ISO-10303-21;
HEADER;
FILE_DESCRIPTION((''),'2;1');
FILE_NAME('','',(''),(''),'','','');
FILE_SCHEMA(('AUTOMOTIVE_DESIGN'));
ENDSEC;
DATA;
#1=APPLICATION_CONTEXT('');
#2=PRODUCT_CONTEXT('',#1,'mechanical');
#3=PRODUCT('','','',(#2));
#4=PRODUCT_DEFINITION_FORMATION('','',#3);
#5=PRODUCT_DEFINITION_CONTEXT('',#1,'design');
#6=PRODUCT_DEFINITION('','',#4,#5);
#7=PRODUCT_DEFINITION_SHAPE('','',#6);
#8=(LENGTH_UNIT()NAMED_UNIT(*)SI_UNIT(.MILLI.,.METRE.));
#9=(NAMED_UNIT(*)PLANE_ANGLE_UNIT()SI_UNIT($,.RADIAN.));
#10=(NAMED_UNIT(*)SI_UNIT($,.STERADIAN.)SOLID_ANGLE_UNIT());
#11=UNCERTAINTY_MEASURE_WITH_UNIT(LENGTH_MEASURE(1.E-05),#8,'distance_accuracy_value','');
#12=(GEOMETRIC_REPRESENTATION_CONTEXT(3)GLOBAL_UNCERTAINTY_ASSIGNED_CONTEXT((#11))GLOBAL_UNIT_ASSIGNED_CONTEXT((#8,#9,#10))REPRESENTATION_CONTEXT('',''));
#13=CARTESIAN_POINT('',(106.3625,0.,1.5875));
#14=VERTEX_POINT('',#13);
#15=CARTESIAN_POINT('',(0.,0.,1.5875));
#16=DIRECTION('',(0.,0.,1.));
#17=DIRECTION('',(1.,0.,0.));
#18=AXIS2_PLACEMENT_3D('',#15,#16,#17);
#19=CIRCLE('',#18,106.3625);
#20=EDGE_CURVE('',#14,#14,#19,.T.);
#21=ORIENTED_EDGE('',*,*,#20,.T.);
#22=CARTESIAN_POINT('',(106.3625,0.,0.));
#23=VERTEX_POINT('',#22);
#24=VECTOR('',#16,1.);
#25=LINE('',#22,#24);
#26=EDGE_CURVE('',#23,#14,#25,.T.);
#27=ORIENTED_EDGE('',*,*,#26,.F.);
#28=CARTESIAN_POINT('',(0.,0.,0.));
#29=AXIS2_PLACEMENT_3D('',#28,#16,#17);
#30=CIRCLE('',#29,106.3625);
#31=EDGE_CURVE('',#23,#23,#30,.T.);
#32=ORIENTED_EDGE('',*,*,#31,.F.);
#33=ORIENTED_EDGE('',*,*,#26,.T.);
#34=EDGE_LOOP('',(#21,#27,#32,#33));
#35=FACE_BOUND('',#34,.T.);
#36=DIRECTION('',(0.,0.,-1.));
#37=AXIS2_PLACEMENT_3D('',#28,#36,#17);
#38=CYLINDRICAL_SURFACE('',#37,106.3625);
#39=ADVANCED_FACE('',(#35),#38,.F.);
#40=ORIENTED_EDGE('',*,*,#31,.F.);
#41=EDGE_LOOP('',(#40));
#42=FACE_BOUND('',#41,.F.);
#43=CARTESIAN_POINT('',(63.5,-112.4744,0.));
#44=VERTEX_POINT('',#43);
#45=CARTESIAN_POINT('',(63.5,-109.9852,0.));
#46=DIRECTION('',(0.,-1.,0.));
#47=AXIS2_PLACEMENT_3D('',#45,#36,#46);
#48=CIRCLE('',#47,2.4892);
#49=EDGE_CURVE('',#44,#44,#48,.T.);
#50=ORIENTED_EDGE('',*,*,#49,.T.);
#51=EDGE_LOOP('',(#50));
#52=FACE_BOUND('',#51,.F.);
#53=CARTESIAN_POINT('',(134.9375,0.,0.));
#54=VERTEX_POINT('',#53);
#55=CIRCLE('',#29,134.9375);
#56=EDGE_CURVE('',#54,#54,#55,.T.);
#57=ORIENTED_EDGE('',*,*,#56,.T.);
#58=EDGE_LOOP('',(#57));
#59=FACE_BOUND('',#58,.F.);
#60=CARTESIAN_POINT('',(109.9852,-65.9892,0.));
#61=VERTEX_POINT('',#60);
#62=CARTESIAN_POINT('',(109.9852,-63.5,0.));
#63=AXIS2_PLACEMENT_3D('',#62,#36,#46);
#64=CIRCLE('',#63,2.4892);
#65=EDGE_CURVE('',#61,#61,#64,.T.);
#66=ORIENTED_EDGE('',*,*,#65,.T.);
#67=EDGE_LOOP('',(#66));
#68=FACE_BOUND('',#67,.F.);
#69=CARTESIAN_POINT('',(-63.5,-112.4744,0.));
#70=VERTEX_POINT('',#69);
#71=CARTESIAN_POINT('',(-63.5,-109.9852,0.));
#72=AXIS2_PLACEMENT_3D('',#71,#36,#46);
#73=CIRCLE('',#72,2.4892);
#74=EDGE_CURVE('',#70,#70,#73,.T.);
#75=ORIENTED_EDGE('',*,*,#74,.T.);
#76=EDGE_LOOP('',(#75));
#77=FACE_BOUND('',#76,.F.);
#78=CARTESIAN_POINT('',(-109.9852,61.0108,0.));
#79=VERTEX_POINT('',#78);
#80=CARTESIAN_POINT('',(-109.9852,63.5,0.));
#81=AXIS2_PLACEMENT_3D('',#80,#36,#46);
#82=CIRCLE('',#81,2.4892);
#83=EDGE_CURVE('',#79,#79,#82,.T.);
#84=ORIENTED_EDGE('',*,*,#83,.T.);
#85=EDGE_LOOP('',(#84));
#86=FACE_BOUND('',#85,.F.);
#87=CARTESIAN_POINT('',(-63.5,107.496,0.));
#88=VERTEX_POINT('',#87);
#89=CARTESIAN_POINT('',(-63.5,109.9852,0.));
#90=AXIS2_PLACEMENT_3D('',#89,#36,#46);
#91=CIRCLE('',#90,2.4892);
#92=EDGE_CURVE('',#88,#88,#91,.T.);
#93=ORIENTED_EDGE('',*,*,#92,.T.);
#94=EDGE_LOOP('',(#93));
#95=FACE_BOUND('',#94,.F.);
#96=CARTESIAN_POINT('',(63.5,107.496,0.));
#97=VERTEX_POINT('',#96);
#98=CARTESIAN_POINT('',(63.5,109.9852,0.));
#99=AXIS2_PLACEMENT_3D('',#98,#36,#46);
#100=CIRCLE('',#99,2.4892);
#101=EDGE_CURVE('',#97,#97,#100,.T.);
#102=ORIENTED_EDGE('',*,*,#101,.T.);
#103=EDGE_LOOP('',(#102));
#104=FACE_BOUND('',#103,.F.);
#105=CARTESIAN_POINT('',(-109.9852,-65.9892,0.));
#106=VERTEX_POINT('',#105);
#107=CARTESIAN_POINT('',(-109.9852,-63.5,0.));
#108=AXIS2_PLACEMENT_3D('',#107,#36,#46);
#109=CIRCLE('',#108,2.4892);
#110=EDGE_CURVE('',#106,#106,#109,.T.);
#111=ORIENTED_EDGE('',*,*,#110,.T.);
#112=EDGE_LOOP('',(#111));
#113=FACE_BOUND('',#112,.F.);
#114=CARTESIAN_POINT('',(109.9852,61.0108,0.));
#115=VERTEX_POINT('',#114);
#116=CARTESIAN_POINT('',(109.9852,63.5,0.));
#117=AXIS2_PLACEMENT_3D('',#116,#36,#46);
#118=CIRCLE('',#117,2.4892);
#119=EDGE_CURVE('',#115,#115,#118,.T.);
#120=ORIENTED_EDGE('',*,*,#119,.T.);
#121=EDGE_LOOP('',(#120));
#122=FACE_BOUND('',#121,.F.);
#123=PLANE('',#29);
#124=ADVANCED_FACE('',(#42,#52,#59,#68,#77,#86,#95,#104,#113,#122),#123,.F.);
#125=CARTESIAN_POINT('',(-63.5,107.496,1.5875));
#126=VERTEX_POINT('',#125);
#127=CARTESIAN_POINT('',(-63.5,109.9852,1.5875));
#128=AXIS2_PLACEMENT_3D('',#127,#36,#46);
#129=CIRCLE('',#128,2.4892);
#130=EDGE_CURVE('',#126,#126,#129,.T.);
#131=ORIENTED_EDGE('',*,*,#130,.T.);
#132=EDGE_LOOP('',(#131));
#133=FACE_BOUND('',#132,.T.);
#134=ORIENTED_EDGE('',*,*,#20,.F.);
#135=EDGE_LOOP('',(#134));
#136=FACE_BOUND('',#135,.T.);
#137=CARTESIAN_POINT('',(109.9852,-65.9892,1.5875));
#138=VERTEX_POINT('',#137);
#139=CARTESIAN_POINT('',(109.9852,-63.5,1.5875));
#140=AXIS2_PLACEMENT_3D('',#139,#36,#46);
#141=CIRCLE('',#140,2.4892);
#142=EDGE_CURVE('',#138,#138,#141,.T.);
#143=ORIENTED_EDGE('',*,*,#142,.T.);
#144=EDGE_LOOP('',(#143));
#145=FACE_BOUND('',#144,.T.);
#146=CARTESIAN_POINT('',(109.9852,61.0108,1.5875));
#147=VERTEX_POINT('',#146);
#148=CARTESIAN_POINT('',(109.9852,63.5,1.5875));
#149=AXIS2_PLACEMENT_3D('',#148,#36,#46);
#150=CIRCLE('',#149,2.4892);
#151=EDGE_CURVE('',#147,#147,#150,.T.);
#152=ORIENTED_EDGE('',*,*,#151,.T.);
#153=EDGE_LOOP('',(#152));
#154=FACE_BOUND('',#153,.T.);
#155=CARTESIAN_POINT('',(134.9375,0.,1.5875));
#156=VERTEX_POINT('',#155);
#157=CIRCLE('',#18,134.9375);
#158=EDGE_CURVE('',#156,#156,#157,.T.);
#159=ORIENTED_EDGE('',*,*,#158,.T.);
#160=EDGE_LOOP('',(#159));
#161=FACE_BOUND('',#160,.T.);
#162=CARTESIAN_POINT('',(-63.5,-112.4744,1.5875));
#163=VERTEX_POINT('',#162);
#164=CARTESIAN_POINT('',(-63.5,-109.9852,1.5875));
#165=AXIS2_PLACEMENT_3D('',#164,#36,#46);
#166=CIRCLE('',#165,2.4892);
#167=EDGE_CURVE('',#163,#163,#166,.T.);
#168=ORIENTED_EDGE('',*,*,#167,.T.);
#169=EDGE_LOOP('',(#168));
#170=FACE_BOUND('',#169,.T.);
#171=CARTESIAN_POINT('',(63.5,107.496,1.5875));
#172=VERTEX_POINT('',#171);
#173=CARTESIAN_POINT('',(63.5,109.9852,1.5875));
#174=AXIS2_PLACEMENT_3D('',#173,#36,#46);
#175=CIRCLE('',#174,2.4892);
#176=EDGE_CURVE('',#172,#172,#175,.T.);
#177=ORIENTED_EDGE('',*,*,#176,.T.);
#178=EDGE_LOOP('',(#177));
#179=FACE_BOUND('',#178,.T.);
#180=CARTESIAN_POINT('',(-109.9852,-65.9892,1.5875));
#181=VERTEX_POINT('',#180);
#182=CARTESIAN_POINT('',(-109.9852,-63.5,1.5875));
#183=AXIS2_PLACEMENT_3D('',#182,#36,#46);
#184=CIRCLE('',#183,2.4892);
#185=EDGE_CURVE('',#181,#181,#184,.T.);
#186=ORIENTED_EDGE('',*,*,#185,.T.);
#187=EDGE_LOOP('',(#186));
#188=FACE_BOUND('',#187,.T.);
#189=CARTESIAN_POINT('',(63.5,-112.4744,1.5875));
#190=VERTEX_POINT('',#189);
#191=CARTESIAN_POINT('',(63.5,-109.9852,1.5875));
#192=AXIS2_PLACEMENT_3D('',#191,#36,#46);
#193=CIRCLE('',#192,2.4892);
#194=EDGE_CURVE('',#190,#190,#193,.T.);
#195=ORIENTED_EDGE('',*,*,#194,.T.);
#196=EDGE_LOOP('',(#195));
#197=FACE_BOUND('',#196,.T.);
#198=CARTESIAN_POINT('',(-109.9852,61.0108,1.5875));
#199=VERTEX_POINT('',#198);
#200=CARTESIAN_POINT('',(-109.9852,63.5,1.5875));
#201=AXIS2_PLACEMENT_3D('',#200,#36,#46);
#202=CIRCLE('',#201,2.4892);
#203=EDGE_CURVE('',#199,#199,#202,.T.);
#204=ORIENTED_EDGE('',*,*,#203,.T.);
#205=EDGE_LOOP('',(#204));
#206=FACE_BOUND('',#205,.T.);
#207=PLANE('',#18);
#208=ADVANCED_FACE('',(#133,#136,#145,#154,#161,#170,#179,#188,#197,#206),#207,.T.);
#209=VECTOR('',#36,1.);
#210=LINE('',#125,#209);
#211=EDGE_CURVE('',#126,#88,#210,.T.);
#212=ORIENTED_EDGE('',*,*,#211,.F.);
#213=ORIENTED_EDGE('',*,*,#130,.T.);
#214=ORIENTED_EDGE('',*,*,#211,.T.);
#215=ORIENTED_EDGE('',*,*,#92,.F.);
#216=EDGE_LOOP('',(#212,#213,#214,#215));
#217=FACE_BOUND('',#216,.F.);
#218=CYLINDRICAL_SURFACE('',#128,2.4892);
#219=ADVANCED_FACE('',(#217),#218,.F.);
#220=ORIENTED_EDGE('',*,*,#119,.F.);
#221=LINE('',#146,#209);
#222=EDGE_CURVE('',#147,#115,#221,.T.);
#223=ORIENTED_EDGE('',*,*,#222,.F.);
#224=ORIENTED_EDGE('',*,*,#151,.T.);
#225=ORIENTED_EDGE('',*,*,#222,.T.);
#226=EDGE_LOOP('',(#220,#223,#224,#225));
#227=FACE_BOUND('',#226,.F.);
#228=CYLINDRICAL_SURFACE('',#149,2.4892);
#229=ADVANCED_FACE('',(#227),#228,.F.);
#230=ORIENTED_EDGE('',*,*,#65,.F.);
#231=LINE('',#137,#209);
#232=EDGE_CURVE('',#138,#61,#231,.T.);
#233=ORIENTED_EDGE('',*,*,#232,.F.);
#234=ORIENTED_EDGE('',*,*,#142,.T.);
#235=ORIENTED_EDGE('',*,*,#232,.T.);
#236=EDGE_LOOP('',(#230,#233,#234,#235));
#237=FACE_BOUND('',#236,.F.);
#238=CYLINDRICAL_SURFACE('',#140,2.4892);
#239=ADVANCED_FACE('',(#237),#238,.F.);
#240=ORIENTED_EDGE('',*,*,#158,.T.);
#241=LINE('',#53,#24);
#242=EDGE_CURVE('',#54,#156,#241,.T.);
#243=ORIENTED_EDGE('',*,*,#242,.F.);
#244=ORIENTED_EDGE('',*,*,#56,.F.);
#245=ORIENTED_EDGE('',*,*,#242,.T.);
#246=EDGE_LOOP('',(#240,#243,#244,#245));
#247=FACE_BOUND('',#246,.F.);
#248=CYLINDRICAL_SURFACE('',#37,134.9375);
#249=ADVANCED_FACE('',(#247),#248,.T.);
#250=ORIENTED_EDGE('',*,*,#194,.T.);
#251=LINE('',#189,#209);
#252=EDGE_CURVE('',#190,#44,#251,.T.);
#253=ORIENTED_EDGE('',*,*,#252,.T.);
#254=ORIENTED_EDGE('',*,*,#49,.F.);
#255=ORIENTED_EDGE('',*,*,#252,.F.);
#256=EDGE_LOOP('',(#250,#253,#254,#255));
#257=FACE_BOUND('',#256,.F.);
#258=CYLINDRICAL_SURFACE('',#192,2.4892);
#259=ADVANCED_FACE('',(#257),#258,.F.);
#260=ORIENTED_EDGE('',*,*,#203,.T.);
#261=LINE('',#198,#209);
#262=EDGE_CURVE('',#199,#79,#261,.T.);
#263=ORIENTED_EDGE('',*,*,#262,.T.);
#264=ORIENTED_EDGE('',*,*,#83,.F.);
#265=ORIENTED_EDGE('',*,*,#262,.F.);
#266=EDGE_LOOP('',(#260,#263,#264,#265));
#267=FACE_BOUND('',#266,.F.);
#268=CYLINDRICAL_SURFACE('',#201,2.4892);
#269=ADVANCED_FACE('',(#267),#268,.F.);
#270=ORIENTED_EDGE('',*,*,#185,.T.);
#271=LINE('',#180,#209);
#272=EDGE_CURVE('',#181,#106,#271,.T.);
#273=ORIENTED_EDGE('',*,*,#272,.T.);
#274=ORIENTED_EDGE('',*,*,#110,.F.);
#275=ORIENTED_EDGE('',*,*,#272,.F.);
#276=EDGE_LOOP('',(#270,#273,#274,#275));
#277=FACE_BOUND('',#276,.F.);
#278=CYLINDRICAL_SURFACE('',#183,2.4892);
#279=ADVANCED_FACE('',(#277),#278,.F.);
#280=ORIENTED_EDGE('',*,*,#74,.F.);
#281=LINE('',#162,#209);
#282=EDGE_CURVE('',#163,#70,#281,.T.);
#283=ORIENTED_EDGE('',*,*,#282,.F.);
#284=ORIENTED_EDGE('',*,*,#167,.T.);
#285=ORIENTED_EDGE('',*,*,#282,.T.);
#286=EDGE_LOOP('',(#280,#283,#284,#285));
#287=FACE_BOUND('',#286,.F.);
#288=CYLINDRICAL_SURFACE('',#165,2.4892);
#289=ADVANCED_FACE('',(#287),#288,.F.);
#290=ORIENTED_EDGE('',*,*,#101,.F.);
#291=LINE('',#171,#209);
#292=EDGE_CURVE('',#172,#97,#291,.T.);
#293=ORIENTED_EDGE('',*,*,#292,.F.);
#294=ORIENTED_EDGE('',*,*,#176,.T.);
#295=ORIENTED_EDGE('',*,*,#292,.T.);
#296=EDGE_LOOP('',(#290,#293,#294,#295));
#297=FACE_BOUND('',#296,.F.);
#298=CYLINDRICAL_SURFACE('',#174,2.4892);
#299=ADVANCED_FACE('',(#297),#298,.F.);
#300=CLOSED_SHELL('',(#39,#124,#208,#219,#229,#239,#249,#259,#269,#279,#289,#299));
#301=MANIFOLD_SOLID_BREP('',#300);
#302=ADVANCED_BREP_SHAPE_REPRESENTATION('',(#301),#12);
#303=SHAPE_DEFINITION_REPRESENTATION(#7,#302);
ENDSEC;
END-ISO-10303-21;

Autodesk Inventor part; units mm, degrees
ref_plane "YZ Plane" through (0, 0, 0) normal (1, 0, 0) x (0, 1, 0)
ref_plane "XZ Plane" through (0, 0, 0) normal (0, 1, 0) x (-1, 0, 0)
ref_plane "XY Plane" through (0, 0, 0) normal (0, 0, 1) x (1, 0, 0)
sketch "Sketch1" plane through (0, 0, 0) normal (0, 0, 1) x (1, 0, 0)
  circle A0 centre (0, 0) radius 106.3625
  circle A1 centre (0, 0) radius 134.9375
  dimension "d0" = 212.725
  dimension "d1" = 269.875
extrude "Extrusion1" add sketch "Sketch1" along normal blind 1.5875
sketch "Sketch2" plane through (0, 0, 1.5875) normal (0, 0, 1) x (1, 0, 0)
  point P0 (0, 0)
  point P1 (0, 127)
  point P2 (-63.5, 109.9852)
  point P3 (-109.9852, 63.5)
  point P4 (-127, 0)
  point P5 (-109.9852, -63.5)
  point P6 (-63.5, -109.9852)
  point P7 (0, -127)
  point P8 (63.5, -109.9852)
  point P9 (109.9852, -63.5)
  point P10 (127, 0)
  point P11 (109.9852, 63.5)
  point P12 (63.5, 109.9852)
  dimension "d4" = 127
  dimension "d7" = 360
hole "Hole1" at (-63.5, 109.9852, 1.5875) at (-109.9852, 63.5, 1.5875) at (-109.9852, -63.5, 1.5875) at (-63.5, -109.9852, 1.5875) at (63.5, 109.9852, 1.5875) at (109.9852, 63.5, 1.5875) at (109.9852, -63.5, 1.5875) at (63.5, -109.9852, 1.5875) direction (0, 0, -1) diameter 4.9784 end through all clearance for "Flat Head Machine Screw (82)" size "#10" standard "Ansi Unified Screw Threads"
properties part number "3DPRINT,TURRET,SPACER" material "Nylon 6/6"
